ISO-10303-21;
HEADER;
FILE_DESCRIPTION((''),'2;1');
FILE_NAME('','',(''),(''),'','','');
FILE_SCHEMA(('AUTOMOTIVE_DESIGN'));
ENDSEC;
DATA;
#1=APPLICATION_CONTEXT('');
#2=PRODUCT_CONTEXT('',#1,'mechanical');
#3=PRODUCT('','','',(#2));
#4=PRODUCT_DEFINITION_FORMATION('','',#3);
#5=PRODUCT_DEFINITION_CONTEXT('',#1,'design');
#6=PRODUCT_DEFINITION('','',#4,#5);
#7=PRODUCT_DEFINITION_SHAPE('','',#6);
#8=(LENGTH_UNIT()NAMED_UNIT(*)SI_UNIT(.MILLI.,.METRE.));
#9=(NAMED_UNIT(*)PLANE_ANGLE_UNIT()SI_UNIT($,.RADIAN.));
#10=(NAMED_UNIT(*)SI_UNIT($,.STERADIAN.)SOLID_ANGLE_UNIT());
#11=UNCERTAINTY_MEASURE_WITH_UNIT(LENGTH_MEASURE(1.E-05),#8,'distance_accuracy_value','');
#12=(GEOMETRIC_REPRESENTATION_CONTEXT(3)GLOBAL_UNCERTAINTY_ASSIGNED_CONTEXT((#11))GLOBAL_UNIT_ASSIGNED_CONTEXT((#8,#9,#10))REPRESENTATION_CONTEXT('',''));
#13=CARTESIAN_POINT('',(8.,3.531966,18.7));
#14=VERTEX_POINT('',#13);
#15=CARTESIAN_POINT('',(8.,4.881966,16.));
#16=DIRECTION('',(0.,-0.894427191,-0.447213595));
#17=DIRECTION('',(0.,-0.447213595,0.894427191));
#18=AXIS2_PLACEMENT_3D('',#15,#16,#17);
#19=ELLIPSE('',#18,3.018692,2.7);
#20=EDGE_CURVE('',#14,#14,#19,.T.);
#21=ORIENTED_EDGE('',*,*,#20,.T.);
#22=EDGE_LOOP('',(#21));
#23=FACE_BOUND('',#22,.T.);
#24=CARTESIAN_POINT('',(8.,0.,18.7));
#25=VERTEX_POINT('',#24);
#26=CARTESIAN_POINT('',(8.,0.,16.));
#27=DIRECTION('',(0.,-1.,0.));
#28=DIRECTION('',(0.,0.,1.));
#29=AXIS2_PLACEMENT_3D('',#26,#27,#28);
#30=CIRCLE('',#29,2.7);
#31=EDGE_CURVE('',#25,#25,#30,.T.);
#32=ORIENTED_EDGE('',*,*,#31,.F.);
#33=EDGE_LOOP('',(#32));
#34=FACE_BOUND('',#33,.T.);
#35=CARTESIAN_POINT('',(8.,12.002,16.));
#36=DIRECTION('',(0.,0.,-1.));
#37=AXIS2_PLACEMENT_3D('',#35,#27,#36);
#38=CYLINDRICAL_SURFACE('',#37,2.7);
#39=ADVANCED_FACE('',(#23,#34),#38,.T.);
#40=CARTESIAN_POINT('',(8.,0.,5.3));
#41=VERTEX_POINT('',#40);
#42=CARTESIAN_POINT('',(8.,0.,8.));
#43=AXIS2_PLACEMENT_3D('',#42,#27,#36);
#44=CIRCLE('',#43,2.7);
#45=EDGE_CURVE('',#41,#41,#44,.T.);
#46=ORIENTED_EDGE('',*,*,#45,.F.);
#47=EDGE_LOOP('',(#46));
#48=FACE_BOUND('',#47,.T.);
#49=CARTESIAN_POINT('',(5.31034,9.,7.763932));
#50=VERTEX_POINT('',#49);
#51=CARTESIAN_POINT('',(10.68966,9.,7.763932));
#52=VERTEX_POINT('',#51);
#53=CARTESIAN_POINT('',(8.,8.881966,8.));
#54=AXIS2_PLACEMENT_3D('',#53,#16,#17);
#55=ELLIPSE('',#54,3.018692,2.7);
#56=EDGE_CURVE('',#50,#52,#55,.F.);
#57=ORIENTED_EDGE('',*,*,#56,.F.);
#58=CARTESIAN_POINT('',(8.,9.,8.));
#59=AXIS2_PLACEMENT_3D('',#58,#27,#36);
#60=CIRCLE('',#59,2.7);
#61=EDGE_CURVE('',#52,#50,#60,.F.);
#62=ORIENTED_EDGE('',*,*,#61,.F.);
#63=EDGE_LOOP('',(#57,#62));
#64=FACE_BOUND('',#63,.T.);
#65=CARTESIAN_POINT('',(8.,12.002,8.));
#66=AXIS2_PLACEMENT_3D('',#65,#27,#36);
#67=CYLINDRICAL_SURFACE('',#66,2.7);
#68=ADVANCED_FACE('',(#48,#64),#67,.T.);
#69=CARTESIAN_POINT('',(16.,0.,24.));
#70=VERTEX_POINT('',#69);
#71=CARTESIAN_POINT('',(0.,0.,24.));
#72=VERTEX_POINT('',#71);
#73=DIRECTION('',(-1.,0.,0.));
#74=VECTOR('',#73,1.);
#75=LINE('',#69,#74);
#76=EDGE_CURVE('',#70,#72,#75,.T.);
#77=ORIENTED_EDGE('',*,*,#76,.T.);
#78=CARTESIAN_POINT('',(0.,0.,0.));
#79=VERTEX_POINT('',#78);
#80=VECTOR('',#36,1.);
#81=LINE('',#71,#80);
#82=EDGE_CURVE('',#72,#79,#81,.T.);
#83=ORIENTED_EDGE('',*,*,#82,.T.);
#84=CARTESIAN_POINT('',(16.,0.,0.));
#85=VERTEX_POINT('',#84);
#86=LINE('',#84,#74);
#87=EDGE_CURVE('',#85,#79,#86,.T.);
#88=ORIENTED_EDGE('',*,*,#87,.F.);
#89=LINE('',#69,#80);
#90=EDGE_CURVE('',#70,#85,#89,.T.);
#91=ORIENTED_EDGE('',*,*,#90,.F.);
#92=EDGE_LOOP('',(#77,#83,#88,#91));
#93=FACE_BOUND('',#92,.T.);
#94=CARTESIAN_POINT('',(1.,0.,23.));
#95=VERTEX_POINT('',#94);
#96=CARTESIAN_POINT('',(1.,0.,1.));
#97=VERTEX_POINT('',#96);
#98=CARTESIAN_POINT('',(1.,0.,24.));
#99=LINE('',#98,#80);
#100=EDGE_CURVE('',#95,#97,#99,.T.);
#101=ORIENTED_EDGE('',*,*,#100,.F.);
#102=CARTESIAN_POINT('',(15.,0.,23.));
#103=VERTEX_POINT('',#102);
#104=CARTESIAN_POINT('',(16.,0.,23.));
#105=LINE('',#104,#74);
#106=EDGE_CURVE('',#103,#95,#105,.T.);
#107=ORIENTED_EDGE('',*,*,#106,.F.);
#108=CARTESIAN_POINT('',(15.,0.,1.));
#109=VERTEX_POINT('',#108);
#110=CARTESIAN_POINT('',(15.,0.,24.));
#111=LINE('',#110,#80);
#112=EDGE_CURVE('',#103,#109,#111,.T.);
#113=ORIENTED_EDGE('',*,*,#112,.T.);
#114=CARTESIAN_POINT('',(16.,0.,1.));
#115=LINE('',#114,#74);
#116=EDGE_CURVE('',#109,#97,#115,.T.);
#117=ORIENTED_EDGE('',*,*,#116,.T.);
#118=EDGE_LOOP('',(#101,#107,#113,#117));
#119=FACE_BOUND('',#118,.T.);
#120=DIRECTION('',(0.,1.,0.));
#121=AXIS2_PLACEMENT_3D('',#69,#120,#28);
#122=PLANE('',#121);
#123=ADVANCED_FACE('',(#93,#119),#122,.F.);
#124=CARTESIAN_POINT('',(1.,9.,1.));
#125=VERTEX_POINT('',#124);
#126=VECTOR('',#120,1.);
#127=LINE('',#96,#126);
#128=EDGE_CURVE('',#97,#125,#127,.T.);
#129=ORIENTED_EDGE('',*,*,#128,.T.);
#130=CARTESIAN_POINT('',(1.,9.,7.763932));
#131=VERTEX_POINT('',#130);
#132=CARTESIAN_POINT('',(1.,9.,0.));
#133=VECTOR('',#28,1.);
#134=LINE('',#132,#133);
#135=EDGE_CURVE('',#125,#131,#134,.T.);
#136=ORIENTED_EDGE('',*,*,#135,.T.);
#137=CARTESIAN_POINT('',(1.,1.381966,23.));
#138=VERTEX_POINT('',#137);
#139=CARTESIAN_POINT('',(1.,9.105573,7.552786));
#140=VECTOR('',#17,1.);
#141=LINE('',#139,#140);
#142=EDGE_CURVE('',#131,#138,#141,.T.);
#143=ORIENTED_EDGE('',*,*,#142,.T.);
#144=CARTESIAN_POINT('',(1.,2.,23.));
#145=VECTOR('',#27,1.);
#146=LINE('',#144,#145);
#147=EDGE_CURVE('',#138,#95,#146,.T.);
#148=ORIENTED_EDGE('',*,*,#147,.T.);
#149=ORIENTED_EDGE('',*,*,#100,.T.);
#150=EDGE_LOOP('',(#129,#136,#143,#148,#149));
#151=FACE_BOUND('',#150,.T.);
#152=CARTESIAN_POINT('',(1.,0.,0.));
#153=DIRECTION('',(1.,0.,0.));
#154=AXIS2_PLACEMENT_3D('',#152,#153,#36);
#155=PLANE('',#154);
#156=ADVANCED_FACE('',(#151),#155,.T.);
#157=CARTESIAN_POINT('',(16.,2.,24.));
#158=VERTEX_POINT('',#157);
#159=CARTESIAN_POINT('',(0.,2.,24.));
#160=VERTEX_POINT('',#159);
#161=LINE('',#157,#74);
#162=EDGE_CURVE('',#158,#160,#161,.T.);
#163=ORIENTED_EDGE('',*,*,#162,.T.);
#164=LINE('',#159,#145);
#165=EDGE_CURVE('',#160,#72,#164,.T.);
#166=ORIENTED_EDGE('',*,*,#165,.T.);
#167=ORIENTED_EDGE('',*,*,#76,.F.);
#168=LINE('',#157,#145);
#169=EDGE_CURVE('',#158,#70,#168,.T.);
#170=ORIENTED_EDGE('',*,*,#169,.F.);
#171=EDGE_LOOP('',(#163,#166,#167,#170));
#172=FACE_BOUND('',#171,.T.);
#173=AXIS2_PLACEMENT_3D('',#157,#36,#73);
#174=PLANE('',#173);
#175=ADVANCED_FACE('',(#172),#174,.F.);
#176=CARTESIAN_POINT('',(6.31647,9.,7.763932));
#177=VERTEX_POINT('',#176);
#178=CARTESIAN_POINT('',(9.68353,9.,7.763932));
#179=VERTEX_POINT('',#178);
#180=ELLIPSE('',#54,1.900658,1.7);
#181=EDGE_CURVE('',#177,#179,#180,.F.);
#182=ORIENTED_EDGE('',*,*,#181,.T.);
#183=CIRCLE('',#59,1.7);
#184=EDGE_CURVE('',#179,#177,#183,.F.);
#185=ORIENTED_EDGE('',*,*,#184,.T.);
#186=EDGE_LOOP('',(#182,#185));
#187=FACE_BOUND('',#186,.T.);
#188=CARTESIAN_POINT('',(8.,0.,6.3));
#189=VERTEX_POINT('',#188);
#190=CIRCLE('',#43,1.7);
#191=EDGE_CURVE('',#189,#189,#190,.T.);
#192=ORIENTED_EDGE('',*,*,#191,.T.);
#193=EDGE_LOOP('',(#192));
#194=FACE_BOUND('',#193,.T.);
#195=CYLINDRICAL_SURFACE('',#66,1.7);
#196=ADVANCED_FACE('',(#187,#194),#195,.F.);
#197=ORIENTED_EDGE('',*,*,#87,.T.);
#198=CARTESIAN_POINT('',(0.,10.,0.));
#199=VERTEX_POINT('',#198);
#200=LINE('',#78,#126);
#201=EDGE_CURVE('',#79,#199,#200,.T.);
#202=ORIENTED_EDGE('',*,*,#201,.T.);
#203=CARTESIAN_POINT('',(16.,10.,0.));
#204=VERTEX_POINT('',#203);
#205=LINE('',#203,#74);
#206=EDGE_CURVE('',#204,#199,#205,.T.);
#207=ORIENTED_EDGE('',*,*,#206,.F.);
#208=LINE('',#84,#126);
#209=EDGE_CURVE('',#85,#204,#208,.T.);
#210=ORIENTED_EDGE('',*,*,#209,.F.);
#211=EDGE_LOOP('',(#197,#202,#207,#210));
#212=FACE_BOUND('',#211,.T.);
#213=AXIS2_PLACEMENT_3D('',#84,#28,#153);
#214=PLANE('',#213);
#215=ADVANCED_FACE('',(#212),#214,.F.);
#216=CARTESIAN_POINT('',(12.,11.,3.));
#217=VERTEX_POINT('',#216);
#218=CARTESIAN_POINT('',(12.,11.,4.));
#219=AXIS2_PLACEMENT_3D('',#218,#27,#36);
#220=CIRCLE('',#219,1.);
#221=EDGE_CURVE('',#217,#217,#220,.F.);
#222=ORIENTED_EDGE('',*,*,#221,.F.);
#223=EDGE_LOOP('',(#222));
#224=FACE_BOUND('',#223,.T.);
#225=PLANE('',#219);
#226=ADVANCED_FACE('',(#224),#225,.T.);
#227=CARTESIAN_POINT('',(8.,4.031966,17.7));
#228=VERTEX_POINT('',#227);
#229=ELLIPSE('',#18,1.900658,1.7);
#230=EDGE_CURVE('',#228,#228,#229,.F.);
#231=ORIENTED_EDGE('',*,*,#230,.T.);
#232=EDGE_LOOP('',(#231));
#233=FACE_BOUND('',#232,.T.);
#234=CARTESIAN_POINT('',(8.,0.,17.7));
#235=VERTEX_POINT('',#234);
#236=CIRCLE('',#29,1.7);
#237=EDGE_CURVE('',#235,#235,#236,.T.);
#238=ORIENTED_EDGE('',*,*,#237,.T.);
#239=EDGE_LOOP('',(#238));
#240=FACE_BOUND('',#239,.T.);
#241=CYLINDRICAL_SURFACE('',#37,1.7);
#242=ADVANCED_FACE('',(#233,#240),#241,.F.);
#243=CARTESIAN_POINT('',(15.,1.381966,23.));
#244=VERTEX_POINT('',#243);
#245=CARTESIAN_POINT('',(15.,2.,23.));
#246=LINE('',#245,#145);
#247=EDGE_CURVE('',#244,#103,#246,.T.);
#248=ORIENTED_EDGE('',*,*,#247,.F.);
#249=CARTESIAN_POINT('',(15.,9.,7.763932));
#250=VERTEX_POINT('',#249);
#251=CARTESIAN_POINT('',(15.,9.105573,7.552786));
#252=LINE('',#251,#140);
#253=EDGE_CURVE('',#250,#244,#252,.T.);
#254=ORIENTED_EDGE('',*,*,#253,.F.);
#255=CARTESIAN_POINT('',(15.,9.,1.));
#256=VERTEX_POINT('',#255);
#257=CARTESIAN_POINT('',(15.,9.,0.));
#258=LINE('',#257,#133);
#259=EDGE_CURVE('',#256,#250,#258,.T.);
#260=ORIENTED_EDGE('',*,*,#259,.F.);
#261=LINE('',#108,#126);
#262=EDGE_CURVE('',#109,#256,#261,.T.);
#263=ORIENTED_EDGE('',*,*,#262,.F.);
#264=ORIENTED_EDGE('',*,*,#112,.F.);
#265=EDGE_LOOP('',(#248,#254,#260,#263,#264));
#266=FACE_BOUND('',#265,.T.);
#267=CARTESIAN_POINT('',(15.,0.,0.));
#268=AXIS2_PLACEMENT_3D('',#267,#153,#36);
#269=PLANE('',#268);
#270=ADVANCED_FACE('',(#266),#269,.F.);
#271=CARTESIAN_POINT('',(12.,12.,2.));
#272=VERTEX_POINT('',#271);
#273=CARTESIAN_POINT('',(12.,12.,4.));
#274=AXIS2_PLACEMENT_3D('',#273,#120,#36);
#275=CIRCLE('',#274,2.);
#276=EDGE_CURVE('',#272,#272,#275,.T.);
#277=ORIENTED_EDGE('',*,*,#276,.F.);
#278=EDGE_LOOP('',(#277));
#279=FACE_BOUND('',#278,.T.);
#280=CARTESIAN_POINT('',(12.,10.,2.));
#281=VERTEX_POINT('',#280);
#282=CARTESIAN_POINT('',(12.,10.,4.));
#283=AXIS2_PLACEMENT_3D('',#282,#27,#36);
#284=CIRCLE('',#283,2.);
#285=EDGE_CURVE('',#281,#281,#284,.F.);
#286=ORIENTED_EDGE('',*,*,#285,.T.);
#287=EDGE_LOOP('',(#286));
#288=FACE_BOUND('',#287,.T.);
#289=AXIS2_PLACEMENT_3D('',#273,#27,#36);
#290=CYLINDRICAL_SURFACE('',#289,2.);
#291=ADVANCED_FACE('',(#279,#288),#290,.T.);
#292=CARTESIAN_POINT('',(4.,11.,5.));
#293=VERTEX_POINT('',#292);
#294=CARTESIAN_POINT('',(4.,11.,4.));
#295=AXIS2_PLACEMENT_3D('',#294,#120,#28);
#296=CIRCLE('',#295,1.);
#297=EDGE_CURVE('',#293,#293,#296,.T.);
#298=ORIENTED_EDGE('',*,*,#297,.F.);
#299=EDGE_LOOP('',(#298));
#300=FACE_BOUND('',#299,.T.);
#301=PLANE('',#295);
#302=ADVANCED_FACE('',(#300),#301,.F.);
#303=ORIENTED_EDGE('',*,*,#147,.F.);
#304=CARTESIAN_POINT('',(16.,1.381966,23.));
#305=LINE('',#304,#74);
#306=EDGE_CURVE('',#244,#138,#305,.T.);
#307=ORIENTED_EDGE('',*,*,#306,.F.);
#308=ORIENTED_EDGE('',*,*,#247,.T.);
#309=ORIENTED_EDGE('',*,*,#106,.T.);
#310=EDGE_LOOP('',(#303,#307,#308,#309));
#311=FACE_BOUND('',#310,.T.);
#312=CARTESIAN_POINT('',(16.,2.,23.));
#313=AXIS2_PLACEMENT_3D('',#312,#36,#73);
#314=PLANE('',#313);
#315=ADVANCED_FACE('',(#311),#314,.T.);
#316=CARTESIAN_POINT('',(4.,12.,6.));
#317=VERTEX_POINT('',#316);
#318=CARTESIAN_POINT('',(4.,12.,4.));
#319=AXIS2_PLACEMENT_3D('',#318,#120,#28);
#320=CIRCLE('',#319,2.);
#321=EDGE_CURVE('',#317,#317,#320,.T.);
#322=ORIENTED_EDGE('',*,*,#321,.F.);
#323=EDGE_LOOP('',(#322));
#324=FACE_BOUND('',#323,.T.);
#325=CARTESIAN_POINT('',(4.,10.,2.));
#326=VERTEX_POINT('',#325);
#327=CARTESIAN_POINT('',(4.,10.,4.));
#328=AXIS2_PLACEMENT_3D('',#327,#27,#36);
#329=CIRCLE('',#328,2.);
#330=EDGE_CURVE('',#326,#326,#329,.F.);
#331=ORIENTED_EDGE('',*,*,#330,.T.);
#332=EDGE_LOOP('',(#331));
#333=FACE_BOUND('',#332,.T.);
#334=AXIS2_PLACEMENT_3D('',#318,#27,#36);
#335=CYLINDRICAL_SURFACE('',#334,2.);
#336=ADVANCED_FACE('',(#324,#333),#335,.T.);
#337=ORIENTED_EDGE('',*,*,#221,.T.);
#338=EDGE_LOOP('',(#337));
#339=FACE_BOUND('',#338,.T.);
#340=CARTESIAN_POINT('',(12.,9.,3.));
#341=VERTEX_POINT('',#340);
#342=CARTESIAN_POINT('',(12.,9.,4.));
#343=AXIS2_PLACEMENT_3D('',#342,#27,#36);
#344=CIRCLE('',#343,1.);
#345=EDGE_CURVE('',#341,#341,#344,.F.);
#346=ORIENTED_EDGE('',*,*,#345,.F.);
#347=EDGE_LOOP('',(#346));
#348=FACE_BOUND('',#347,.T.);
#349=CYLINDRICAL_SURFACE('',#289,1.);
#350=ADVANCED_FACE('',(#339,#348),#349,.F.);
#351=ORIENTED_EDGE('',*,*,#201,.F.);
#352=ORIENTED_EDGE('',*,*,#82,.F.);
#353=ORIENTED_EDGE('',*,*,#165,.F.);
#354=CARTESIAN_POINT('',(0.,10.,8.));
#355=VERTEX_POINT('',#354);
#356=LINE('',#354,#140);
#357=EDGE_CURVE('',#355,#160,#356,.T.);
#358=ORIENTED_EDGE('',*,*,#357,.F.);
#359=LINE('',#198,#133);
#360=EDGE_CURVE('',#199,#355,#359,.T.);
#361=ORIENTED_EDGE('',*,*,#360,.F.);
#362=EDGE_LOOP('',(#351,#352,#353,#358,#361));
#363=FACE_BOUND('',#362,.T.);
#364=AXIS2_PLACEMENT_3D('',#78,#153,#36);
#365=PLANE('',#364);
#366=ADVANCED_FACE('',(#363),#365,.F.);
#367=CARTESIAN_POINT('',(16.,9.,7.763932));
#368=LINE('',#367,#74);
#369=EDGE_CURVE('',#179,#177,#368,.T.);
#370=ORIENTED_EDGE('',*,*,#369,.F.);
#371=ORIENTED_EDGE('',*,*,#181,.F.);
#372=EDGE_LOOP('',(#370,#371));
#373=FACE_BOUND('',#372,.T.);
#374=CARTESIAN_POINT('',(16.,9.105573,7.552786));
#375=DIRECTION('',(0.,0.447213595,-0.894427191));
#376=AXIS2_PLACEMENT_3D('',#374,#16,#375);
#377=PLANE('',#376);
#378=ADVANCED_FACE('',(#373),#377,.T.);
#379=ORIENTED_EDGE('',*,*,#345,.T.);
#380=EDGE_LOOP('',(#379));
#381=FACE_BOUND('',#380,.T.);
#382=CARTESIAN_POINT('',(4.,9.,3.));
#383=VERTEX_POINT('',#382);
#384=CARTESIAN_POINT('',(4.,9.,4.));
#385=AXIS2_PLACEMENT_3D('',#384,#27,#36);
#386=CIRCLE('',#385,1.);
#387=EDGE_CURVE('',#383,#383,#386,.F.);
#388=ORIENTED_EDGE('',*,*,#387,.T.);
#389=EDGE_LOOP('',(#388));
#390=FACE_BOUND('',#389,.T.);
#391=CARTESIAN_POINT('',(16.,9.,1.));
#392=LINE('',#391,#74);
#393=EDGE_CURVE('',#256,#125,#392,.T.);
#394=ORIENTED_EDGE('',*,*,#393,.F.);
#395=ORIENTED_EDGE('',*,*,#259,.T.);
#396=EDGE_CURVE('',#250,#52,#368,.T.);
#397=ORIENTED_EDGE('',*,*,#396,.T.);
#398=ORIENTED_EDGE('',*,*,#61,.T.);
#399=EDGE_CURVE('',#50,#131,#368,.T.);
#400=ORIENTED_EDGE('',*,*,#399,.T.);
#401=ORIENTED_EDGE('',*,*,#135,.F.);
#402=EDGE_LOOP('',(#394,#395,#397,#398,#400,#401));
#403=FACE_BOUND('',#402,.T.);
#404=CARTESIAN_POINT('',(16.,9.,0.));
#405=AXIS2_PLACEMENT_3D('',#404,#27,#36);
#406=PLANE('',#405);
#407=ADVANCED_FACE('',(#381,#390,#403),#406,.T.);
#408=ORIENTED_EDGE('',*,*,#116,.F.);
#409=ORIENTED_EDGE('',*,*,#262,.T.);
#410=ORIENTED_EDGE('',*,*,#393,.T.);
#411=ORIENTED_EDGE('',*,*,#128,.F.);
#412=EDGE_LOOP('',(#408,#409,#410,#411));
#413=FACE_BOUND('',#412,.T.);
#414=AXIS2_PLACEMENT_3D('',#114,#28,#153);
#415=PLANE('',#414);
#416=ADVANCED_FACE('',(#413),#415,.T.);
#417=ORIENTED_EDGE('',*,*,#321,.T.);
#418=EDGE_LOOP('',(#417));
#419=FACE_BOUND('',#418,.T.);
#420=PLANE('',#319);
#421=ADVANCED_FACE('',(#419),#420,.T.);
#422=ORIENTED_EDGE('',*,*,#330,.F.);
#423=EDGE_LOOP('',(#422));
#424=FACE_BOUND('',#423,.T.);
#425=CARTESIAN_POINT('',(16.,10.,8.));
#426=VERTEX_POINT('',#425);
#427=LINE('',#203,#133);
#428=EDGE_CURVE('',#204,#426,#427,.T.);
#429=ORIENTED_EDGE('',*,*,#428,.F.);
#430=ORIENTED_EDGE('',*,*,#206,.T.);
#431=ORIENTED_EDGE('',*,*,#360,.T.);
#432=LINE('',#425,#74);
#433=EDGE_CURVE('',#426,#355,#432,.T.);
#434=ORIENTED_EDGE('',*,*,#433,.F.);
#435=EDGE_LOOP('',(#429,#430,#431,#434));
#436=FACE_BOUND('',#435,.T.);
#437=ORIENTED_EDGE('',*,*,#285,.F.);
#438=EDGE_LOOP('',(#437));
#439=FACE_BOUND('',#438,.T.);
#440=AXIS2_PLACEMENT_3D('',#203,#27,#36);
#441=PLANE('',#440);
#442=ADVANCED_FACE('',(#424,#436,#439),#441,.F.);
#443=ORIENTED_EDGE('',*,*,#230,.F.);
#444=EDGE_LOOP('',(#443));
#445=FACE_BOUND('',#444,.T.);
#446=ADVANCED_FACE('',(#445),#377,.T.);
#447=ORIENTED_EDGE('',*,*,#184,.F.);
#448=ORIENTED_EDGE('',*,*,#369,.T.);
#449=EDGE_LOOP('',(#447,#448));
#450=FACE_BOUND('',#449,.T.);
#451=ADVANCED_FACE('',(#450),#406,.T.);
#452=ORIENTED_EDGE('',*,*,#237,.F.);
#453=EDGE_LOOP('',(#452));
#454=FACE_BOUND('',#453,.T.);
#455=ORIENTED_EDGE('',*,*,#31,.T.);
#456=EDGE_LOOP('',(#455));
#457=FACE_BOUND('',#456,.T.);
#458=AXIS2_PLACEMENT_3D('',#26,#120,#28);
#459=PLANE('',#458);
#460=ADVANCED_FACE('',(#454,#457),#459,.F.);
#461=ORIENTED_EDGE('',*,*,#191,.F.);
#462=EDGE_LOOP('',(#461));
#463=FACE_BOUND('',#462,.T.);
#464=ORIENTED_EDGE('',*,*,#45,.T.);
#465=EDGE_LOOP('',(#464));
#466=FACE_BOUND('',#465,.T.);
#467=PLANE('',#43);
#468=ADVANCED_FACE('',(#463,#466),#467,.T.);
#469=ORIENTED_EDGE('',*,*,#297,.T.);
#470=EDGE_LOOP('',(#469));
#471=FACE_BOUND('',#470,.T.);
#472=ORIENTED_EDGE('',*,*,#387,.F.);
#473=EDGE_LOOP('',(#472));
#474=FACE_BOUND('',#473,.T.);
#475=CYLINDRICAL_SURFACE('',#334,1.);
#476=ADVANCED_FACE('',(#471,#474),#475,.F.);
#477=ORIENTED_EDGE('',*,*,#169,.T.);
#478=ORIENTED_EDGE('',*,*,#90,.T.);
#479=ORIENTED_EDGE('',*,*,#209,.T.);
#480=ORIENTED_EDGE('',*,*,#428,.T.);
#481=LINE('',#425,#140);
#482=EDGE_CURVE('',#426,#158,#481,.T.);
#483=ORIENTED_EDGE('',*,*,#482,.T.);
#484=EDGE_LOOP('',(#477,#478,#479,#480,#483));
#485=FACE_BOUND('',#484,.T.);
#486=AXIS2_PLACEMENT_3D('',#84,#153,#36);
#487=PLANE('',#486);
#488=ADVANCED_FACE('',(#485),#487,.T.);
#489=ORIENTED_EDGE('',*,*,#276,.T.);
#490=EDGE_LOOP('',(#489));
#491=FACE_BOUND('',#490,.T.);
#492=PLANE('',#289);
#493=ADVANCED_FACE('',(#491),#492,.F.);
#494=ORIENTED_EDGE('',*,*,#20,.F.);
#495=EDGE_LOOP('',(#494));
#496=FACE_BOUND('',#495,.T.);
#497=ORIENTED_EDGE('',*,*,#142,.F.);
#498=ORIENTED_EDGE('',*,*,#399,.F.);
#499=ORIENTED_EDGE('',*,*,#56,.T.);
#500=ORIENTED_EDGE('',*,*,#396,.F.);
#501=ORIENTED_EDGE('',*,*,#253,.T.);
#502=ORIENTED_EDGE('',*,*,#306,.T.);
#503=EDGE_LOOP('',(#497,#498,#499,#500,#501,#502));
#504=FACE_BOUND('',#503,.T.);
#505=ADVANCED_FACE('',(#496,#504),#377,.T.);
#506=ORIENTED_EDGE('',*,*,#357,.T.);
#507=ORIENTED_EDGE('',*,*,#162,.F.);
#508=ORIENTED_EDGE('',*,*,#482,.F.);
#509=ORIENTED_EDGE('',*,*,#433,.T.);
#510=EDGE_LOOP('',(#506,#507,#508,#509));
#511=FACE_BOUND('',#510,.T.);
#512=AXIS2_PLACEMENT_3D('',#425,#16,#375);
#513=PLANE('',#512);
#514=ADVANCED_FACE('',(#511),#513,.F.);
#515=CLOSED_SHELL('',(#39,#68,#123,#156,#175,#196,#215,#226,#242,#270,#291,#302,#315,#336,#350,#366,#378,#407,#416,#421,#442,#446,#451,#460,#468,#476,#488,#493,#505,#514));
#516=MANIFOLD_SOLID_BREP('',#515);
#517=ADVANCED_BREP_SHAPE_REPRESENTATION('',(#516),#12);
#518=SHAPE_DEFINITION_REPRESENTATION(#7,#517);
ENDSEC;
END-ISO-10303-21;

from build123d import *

# Parameters (mm, degrees)
BOSS_EXTRUDE1_DEPTH = 16
SKETCH2_R           = 2
BOSS_EXTRUDE2_DEPTH = 2
SHELL1_T            = -1
BOSS_EXTRUDE3_REACH = 14
SKETCH3_R           = 2.7
SKETCH3_R_2         = 1.7


with BuildPart() as part:
    # Sketch1 → Boss-Extrude1 (new body)
    with BuildSketch(Plane(origin=(0, 0, 0), x_dir=(0, 0, -1), z_dir=(1, 0, 0))):
        Polygon((0, 0), (0, 10), (-8, 10), (-24, 2), (-24, 0), align=None)
    extrude(amount=BOSS_EXTRUDE1_DEPTH)

    # Sketch2 → Boss-Extrude2 (add)
    with BuildSketch(Plane(origin=(0, 10, 0), x_dir=(1, 0, 0), z_dir=(0, 1, 0))):
        with Locations((4, -4)):
            Circle(SKETCH2_R)
        with Locations((12, -4)):
            Circle(SKETCH2_R)
    extrude(amount=BOSS_EXTRUDE2_DEPTH)

    # Shell1
    shell1_openings = [part.faces().sort_by_distance(p)[0] for p in [
        (8, 0, 12),
    ]]
    offset(amount=SHELL1_T, openings=shell1_openings, kind=Kind.INTERSECTION)

    # Sketch3 → Boss-Extrude3 (add, up to next)
    with BuildSketch(Plane.XZ, mode=Mode.PRIVATE) as boss_extrude3_sk1:
        with Locations((8, 8)):
            Circle(SKETCH3_R)
        with Locations((8, 8)):
            Circle(SKETCH3_R_2, mode=Mode.SUBTRACT)
    boss_extrude3_tool1 = extrude(boss_extrude3_sk1.sketch, amount=-BOSS_EXTRUDE3_REACH, mode=Mode.PRIVATE) - part.part
    add(boss_extrude3_tool1.solids().sort_by_distance((5.376368, 0, 8))[0])
    # Sketch3 → Boss-Extrude3 (add, up to next)
    with BuildSketch(Plane.XZ, mode=Mode.PRIVATE) as boss_extrude3_sk2:
        with Locations((8, 16)):
            Circle(SKETCH3_R)
        with Locations((8, 16)):
            Circle(SKETCH3_R_2, mode=Mode.SUBTRACT)
    boss_extrude3_tool2 = extrude(boss_extrude3_sk2.sketch, amount=-BOSS_EXTRUDE3_REACH, mode=Mode.PRIVATE) - part.part
    add(boss_extrude3_tool2.solids().sort_by_distance((5.376368, 0, 16))[0])


solid = part.part
